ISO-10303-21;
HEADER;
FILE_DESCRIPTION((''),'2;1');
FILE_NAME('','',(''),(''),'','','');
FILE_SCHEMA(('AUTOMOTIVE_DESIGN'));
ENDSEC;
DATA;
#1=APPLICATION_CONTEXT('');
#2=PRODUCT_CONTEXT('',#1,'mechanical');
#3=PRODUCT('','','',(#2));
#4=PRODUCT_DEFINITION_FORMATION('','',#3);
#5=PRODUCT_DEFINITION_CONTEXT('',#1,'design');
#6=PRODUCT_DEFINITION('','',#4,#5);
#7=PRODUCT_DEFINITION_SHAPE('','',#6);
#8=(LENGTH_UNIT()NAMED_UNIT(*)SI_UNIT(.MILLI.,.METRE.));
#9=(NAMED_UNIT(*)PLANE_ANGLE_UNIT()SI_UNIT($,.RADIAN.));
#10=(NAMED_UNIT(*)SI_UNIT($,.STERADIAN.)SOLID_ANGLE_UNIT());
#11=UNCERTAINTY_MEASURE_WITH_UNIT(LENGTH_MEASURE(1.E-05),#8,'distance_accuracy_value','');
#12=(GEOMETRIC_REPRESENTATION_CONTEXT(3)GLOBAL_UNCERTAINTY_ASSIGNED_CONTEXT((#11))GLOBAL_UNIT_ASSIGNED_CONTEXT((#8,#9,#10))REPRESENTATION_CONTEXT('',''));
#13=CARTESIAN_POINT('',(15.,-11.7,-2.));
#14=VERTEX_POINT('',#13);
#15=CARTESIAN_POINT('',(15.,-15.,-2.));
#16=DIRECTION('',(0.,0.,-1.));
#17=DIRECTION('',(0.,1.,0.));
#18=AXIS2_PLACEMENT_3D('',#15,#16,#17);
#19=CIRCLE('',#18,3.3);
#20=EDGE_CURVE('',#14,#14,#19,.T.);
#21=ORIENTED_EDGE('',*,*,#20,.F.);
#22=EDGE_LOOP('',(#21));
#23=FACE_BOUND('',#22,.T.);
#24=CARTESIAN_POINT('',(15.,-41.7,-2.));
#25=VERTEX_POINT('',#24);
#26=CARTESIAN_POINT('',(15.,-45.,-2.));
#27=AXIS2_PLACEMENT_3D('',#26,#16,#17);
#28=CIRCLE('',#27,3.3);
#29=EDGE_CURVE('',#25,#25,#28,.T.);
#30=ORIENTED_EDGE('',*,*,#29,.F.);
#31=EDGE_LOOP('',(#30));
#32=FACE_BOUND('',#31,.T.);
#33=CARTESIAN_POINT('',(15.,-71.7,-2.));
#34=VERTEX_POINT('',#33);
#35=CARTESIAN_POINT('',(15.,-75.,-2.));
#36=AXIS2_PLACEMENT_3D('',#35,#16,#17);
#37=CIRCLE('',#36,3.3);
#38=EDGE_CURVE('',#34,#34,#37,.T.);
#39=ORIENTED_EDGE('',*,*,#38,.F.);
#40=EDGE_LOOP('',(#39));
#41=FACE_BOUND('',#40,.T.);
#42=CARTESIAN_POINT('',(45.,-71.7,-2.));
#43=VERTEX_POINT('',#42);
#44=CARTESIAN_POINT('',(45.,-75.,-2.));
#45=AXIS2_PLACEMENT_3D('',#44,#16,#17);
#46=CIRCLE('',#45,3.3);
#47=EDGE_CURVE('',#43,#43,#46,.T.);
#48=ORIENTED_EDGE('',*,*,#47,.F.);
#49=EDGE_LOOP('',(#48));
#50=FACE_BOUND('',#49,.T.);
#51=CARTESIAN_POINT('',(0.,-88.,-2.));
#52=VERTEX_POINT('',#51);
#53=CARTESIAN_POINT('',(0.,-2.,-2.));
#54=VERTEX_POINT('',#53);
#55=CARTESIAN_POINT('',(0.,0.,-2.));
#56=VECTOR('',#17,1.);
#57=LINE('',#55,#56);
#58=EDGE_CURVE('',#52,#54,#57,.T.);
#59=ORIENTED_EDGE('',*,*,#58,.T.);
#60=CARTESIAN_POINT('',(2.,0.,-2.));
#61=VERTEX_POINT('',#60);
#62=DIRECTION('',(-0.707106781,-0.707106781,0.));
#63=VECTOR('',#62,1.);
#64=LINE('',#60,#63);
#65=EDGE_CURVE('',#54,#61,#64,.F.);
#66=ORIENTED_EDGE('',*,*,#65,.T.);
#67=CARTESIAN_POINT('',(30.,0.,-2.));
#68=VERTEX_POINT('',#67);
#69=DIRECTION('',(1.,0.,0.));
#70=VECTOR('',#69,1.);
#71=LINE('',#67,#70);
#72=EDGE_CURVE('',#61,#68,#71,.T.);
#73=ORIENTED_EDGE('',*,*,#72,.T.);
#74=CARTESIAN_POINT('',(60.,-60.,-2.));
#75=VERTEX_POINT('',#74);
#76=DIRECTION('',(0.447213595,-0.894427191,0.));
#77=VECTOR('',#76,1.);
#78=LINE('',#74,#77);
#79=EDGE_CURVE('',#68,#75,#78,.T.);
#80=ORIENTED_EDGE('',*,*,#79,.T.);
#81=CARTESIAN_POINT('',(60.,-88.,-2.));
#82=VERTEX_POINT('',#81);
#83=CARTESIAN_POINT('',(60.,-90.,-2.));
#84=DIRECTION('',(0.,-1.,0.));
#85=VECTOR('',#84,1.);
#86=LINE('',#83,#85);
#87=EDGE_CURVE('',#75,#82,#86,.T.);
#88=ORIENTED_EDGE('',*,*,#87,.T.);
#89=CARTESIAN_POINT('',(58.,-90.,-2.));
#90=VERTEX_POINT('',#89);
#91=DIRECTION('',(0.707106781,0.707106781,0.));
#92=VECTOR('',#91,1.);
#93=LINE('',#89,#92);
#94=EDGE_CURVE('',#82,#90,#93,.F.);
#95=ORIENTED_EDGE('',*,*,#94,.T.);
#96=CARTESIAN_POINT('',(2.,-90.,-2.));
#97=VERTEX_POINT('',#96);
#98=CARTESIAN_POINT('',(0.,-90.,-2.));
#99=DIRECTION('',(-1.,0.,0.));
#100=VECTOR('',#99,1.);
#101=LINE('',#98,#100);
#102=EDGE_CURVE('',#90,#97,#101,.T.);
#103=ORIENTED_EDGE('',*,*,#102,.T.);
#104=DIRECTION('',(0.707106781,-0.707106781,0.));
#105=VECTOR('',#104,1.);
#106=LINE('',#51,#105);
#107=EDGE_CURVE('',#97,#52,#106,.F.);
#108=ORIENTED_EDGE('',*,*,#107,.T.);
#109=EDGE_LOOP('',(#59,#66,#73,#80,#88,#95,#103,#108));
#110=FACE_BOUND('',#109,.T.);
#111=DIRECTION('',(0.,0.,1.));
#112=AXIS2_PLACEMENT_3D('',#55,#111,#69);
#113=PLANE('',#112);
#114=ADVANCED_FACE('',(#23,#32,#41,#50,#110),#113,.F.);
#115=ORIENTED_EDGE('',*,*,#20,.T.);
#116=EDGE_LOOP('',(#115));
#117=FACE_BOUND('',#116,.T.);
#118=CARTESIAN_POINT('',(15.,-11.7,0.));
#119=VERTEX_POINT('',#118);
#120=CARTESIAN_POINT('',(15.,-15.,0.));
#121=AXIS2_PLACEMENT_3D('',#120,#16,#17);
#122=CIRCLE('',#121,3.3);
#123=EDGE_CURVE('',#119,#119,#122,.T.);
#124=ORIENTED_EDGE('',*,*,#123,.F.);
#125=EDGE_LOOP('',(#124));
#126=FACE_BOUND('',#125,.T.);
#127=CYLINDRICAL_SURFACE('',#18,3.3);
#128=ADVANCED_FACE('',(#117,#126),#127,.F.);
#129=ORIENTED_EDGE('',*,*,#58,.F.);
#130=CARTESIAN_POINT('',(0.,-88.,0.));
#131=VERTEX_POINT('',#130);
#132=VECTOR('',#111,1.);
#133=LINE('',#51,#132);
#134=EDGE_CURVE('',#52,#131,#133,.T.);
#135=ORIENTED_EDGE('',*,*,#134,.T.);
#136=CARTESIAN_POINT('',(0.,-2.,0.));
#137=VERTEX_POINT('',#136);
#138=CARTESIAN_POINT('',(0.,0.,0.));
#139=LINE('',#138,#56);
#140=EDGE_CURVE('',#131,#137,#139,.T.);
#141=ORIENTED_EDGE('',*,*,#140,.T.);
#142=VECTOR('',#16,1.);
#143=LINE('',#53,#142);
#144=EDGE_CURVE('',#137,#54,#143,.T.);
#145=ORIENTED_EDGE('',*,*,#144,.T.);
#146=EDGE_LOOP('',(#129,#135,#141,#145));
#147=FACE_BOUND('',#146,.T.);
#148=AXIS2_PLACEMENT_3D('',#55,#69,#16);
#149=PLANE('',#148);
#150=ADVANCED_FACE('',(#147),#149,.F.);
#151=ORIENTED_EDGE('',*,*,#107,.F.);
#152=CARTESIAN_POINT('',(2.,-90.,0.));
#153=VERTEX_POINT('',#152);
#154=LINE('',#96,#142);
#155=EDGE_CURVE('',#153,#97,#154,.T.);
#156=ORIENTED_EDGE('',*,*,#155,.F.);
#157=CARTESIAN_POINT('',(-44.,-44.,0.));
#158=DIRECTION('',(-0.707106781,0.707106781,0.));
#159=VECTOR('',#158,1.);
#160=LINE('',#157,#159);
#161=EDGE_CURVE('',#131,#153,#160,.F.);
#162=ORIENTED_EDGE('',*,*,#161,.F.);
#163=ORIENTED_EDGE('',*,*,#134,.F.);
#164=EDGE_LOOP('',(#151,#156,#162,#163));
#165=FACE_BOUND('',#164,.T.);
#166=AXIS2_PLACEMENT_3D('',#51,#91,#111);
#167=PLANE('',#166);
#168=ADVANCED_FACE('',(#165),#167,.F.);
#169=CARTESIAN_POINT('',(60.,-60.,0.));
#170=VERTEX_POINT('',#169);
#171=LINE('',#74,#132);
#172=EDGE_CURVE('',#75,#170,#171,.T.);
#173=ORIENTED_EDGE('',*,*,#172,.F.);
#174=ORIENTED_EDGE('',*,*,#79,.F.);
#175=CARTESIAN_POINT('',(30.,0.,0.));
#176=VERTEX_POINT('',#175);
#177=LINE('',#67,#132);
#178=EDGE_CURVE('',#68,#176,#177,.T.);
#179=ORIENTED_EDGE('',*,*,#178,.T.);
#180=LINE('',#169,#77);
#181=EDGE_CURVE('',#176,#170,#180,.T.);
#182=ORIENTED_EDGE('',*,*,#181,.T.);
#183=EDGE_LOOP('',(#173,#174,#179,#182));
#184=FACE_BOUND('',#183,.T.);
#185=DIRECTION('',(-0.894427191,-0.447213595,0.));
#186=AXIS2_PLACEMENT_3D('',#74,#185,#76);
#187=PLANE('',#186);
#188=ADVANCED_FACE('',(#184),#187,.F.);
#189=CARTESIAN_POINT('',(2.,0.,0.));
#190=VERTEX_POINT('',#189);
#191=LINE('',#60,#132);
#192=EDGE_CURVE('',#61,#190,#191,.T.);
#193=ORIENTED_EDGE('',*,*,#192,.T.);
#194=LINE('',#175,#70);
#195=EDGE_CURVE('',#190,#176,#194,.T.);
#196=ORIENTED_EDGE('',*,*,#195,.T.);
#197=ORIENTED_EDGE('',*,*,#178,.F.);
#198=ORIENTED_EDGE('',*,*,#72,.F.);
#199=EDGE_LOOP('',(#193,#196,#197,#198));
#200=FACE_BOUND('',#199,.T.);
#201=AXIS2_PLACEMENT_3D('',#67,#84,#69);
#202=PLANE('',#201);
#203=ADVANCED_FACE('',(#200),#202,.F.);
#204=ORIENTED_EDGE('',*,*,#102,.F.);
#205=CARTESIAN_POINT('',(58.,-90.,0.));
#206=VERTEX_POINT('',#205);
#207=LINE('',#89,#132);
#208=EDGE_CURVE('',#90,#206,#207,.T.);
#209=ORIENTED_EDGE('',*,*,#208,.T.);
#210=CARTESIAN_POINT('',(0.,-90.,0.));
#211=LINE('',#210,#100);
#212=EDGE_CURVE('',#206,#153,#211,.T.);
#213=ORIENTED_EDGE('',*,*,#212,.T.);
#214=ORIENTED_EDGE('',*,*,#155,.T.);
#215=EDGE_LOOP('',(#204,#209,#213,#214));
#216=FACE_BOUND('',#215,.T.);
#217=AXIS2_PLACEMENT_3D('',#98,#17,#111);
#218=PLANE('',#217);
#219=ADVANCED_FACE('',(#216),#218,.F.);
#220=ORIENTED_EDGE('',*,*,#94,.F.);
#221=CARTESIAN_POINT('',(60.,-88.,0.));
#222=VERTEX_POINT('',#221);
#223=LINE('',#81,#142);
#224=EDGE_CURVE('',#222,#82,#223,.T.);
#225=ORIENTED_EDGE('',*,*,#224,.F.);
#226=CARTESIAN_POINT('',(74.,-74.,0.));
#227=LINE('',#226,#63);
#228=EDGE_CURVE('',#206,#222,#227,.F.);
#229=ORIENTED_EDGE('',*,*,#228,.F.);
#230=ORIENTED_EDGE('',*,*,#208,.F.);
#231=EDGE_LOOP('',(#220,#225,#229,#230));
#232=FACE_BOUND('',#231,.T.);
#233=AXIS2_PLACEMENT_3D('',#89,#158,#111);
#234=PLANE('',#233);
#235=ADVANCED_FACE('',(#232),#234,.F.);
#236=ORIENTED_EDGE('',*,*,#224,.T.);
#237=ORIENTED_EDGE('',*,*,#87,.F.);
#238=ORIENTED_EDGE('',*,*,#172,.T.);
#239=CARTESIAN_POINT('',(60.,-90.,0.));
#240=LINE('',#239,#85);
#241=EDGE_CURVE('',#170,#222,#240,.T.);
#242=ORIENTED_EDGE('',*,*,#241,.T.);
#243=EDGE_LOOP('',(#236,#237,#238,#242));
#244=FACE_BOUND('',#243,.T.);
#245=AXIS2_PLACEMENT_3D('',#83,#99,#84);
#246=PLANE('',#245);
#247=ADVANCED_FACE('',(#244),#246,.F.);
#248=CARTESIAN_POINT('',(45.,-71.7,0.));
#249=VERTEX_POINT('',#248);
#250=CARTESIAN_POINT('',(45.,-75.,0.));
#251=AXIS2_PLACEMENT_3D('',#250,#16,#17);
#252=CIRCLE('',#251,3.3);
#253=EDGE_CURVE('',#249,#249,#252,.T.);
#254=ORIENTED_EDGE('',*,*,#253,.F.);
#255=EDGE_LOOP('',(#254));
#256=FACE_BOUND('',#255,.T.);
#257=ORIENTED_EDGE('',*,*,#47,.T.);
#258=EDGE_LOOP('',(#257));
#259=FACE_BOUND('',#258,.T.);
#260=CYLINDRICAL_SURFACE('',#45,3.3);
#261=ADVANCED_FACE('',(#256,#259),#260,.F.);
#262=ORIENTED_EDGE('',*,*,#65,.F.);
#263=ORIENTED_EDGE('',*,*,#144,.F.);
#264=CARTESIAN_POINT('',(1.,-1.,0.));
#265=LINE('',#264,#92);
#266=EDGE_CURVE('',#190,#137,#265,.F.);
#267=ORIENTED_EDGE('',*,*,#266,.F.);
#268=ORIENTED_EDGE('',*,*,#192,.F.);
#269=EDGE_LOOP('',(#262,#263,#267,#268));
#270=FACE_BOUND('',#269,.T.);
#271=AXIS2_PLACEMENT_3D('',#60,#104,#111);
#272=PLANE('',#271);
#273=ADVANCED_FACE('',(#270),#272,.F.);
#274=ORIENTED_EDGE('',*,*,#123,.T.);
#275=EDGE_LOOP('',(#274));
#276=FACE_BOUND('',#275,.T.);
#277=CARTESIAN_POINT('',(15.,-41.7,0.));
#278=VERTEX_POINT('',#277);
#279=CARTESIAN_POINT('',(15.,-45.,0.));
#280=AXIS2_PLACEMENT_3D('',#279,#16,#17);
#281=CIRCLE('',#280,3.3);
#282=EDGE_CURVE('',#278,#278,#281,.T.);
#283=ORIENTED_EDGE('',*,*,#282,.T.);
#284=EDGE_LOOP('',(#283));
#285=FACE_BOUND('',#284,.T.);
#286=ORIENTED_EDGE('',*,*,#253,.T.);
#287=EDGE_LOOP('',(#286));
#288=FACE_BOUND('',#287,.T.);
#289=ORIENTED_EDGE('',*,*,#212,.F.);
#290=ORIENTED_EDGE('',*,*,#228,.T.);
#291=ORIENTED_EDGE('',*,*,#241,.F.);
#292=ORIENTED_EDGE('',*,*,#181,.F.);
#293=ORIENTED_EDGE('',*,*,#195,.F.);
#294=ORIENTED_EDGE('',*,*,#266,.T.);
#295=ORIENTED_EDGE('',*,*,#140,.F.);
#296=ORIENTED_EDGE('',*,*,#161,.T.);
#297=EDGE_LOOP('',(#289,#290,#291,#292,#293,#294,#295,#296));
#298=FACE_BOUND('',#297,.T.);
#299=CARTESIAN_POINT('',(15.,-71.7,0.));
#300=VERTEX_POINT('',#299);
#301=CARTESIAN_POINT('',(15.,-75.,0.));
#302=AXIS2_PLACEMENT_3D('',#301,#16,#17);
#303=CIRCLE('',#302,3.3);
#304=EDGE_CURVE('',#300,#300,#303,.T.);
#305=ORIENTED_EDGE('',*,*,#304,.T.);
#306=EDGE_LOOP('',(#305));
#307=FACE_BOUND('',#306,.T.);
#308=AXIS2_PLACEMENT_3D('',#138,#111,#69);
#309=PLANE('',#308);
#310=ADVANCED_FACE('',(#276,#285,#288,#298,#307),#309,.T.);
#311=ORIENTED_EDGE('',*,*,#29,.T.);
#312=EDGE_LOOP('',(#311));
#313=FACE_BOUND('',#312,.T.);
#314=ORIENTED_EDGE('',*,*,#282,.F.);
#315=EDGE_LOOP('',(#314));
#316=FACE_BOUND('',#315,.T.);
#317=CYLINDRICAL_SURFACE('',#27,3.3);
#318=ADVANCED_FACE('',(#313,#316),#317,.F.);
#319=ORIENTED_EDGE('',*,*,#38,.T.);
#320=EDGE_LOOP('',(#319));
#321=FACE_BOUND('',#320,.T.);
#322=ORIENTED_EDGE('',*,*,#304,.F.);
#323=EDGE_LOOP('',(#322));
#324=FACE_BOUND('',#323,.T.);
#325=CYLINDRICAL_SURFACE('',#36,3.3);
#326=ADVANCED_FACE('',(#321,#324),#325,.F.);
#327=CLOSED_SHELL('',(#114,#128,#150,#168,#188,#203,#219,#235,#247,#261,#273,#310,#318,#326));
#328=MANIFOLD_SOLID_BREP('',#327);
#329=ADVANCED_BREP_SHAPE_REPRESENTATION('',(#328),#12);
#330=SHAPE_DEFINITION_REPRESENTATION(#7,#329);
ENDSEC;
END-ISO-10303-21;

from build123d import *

# Parameters (mm, degrees)
EXTRUDE_1_DEPTH   = 2
HOLE_WIZARD_M61_D = 6.6
CHAMFER_1_SIZE    = 2


with BuildPart() as part:
    # Эскиз1 → Бобышка-Вытянуть1 (new body)
    with BuildSketch(Plane(origin=(0, 0, 0), x_dir=(1, 0, 0), z_dir=(0, 0, -1))):
        Polygon((0, 0), (0, 90), (60, 90), (60, 60), (30, 0), align=None)
    extrude(amount=EXTRUDE_1_DEPTH)

    # Отверстие с зазором M61 (through all)
    with Locations(Plane(origin=(0, 0, -2), x_dir=(1, 0, 0), z_dir=(0, 0, -1))):
        with Locations((45, 75), (15, 75), (15, 45), (15, 15)):
            Hole(HOLE_WIZARD_M61_D / 2)

    # Фаска1
    chamfer_1_edges = [part.edges().sort_by_distance(p)[0] for p in [
        (0, 0, -1),
        (0, -90, -1),
        (60, -90, -1),
    ]]
    chamfer(chamfer_1_edges, length=CHAMFER_1_SIZE)


solid = part.part
